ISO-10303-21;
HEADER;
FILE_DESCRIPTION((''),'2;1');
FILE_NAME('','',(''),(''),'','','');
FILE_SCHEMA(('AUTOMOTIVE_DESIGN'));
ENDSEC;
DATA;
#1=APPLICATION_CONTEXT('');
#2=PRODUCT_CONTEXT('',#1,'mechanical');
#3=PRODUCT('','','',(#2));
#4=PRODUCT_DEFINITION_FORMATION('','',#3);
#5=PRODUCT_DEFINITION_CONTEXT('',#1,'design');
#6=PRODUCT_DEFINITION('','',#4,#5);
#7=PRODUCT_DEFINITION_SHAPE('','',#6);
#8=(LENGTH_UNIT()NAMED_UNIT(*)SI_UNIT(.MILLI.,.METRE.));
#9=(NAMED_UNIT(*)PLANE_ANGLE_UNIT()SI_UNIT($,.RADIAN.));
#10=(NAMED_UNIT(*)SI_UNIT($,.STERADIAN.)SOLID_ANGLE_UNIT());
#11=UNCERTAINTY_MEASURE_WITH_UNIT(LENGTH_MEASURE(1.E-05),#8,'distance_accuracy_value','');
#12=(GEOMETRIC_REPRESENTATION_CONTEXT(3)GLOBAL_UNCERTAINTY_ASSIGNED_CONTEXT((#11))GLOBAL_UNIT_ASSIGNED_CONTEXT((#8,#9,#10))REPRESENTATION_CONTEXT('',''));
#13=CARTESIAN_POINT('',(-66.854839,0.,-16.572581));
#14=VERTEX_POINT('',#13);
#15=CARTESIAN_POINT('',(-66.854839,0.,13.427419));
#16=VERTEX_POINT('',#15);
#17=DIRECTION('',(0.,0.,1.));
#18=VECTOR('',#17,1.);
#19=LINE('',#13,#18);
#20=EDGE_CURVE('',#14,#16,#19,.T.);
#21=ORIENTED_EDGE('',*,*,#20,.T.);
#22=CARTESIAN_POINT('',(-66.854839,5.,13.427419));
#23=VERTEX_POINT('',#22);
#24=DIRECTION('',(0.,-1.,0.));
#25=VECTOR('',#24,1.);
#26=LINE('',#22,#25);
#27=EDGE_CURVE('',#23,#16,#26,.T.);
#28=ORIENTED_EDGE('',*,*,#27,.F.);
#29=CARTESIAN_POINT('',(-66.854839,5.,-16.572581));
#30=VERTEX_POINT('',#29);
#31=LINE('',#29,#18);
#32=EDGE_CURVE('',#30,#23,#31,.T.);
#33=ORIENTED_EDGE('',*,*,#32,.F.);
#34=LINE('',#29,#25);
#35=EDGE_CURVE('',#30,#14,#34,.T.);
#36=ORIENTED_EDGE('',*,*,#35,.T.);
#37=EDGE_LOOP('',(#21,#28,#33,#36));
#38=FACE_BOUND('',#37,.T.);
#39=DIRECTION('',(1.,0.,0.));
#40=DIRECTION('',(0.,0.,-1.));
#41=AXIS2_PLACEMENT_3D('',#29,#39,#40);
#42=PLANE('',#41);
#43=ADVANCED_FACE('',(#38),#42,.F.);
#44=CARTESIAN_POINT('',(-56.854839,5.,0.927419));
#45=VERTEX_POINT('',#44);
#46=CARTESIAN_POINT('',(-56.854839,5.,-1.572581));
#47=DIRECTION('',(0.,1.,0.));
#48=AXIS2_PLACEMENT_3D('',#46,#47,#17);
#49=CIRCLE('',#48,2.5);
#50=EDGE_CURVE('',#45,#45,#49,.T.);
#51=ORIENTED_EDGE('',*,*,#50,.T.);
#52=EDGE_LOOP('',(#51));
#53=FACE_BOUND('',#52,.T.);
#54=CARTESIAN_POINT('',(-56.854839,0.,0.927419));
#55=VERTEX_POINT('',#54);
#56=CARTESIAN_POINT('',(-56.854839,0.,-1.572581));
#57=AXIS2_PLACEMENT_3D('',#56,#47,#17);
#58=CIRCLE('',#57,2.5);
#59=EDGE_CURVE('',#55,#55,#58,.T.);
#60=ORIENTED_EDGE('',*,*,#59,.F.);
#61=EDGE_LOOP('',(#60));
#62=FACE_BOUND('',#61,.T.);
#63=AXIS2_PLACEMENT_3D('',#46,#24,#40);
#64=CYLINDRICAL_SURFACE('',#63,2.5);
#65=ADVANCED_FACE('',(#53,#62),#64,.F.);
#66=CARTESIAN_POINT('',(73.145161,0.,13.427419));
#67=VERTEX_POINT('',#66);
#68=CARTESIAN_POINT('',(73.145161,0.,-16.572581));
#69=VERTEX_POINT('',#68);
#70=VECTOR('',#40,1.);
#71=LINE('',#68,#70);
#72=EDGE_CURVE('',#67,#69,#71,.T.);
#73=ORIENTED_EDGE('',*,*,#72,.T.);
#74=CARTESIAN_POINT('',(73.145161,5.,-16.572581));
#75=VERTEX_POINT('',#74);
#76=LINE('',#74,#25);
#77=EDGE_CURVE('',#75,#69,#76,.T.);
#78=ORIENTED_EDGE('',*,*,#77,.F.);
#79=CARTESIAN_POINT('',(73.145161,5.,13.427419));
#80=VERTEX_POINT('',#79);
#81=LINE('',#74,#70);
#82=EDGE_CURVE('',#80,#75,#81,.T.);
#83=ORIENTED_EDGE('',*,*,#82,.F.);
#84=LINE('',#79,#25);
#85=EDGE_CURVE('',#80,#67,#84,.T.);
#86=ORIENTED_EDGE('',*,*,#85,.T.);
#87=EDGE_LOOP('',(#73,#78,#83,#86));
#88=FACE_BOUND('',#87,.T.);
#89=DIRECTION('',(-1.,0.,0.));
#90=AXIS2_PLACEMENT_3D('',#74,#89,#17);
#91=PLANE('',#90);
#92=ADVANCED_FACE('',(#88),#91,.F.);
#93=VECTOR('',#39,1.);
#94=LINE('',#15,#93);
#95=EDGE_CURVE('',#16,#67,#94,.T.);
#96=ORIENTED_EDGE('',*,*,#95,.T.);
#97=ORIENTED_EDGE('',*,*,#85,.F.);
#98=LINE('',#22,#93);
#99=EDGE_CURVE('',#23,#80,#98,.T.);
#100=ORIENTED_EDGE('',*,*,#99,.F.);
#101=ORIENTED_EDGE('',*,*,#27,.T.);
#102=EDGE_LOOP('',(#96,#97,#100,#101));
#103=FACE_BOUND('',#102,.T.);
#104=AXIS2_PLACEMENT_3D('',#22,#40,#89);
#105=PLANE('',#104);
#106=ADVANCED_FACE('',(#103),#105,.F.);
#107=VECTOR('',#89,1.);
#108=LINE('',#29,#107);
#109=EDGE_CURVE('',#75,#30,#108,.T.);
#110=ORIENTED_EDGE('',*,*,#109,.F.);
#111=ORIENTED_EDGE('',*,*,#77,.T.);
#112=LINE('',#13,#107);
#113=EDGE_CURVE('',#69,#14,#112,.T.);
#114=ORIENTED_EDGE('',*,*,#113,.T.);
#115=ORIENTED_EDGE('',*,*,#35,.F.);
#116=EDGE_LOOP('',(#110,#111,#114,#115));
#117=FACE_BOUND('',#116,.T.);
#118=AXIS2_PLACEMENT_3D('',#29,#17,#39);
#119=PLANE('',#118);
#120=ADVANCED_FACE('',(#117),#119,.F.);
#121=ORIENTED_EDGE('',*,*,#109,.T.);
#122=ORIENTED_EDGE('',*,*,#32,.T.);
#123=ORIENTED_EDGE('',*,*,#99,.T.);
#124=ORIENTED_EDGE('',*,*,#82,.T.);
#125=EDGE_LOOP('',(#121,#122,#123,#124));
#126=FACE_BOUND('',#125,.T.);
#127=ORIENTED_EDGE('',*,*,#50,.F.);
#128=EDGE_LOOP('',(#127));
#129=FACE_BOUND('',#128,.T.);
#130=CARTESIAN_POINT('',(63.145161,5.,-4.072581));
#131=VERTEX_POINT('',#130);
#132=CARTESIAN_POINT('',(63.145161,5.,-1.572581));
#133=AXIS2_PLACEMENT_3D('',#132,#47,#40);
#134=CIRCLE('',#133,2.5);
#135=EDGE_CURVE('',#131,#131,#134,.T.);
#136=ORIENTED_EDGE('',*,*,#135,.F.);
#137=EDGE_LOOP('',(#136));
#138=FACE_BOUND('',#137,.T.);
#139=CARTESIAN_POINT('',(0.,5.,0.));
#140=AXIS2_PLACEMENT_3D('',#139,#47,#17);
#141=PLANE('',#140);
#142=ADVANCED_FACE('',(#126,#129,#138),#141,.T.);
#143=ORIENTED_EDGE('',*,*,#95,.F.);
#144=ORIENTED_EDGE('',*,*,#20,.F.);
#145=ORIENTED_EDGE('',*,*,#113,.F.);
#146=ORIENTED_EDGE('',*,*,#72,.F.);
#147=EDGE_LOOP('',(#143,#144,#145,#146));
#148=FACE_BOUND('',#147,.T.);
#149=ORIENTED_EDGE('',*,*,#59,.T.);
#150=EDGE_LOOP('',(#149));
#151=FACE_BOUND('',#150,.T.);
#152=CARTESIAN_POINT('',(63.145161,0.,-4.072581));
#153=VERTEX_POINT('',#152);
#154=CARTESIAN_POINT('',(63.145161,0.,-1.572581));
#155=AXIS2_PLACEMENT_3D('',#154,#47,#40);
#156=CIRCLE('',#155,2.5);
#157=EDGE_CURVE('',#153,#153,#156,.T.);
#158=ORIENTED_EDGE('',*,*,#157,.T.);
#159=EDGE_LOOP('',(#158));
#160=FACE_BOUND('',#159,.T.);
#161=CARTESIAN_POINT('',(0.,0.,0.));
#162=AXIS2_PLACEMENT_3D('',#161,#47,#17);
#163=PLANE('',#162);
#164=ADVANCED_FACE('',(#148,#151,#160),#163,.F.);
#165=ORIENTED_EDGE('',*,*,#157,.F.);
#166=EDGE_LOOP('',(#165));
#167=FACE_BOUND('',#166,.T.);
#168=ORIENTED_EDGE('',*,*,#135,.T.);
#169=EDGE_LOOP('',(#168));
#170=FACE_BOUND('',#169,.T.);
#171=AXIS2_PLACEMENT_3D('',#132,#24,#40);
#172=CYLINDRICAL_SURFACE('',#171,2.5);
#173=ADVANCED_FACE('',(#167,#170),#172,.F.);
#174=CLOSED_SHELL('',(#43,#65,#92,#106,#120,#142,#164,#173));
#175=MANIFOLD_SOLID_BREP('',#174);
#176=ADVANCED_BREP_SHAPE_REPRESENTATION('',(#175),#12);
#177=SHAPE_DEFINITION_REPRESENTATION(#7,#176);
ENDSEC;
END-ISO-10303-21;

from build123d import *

# Parameters (mm, degrees)
SKETCH1_W           = 140
SKETCH1_H           = 30
SKETCH1_R           = 2.5
BOSS_EXTRUDE1_DEPTH = 5


with BuildPart() as part:
    # Sketch1 → Boss-Extrude1 (new body)
    with BuildSketch(Plane(origin=(0, 0, 0), x_dir=(1, 0, 0), z_dir=(0, 1, 0))):
        with Locations((3.14516129, 1.572580645)):
            Rectangle(SKETCH1_W, SKETCH1_H)
        with Locations(Location((-56.85483871, 1.572580645, 0), (0, 0, 270))):
            Circle(SKETCH1_R, mode=Mode.SUBTRACT)
        with Locations(Location((63.14516129, 1.572580645, 0), (0, 0, 90))):
            Circle(SKETCH1_R, mode=Mode.SUBTRACT)
    extrude(amount=BOSS_EXTRUDE1_DEPTH)


solid = part.part
